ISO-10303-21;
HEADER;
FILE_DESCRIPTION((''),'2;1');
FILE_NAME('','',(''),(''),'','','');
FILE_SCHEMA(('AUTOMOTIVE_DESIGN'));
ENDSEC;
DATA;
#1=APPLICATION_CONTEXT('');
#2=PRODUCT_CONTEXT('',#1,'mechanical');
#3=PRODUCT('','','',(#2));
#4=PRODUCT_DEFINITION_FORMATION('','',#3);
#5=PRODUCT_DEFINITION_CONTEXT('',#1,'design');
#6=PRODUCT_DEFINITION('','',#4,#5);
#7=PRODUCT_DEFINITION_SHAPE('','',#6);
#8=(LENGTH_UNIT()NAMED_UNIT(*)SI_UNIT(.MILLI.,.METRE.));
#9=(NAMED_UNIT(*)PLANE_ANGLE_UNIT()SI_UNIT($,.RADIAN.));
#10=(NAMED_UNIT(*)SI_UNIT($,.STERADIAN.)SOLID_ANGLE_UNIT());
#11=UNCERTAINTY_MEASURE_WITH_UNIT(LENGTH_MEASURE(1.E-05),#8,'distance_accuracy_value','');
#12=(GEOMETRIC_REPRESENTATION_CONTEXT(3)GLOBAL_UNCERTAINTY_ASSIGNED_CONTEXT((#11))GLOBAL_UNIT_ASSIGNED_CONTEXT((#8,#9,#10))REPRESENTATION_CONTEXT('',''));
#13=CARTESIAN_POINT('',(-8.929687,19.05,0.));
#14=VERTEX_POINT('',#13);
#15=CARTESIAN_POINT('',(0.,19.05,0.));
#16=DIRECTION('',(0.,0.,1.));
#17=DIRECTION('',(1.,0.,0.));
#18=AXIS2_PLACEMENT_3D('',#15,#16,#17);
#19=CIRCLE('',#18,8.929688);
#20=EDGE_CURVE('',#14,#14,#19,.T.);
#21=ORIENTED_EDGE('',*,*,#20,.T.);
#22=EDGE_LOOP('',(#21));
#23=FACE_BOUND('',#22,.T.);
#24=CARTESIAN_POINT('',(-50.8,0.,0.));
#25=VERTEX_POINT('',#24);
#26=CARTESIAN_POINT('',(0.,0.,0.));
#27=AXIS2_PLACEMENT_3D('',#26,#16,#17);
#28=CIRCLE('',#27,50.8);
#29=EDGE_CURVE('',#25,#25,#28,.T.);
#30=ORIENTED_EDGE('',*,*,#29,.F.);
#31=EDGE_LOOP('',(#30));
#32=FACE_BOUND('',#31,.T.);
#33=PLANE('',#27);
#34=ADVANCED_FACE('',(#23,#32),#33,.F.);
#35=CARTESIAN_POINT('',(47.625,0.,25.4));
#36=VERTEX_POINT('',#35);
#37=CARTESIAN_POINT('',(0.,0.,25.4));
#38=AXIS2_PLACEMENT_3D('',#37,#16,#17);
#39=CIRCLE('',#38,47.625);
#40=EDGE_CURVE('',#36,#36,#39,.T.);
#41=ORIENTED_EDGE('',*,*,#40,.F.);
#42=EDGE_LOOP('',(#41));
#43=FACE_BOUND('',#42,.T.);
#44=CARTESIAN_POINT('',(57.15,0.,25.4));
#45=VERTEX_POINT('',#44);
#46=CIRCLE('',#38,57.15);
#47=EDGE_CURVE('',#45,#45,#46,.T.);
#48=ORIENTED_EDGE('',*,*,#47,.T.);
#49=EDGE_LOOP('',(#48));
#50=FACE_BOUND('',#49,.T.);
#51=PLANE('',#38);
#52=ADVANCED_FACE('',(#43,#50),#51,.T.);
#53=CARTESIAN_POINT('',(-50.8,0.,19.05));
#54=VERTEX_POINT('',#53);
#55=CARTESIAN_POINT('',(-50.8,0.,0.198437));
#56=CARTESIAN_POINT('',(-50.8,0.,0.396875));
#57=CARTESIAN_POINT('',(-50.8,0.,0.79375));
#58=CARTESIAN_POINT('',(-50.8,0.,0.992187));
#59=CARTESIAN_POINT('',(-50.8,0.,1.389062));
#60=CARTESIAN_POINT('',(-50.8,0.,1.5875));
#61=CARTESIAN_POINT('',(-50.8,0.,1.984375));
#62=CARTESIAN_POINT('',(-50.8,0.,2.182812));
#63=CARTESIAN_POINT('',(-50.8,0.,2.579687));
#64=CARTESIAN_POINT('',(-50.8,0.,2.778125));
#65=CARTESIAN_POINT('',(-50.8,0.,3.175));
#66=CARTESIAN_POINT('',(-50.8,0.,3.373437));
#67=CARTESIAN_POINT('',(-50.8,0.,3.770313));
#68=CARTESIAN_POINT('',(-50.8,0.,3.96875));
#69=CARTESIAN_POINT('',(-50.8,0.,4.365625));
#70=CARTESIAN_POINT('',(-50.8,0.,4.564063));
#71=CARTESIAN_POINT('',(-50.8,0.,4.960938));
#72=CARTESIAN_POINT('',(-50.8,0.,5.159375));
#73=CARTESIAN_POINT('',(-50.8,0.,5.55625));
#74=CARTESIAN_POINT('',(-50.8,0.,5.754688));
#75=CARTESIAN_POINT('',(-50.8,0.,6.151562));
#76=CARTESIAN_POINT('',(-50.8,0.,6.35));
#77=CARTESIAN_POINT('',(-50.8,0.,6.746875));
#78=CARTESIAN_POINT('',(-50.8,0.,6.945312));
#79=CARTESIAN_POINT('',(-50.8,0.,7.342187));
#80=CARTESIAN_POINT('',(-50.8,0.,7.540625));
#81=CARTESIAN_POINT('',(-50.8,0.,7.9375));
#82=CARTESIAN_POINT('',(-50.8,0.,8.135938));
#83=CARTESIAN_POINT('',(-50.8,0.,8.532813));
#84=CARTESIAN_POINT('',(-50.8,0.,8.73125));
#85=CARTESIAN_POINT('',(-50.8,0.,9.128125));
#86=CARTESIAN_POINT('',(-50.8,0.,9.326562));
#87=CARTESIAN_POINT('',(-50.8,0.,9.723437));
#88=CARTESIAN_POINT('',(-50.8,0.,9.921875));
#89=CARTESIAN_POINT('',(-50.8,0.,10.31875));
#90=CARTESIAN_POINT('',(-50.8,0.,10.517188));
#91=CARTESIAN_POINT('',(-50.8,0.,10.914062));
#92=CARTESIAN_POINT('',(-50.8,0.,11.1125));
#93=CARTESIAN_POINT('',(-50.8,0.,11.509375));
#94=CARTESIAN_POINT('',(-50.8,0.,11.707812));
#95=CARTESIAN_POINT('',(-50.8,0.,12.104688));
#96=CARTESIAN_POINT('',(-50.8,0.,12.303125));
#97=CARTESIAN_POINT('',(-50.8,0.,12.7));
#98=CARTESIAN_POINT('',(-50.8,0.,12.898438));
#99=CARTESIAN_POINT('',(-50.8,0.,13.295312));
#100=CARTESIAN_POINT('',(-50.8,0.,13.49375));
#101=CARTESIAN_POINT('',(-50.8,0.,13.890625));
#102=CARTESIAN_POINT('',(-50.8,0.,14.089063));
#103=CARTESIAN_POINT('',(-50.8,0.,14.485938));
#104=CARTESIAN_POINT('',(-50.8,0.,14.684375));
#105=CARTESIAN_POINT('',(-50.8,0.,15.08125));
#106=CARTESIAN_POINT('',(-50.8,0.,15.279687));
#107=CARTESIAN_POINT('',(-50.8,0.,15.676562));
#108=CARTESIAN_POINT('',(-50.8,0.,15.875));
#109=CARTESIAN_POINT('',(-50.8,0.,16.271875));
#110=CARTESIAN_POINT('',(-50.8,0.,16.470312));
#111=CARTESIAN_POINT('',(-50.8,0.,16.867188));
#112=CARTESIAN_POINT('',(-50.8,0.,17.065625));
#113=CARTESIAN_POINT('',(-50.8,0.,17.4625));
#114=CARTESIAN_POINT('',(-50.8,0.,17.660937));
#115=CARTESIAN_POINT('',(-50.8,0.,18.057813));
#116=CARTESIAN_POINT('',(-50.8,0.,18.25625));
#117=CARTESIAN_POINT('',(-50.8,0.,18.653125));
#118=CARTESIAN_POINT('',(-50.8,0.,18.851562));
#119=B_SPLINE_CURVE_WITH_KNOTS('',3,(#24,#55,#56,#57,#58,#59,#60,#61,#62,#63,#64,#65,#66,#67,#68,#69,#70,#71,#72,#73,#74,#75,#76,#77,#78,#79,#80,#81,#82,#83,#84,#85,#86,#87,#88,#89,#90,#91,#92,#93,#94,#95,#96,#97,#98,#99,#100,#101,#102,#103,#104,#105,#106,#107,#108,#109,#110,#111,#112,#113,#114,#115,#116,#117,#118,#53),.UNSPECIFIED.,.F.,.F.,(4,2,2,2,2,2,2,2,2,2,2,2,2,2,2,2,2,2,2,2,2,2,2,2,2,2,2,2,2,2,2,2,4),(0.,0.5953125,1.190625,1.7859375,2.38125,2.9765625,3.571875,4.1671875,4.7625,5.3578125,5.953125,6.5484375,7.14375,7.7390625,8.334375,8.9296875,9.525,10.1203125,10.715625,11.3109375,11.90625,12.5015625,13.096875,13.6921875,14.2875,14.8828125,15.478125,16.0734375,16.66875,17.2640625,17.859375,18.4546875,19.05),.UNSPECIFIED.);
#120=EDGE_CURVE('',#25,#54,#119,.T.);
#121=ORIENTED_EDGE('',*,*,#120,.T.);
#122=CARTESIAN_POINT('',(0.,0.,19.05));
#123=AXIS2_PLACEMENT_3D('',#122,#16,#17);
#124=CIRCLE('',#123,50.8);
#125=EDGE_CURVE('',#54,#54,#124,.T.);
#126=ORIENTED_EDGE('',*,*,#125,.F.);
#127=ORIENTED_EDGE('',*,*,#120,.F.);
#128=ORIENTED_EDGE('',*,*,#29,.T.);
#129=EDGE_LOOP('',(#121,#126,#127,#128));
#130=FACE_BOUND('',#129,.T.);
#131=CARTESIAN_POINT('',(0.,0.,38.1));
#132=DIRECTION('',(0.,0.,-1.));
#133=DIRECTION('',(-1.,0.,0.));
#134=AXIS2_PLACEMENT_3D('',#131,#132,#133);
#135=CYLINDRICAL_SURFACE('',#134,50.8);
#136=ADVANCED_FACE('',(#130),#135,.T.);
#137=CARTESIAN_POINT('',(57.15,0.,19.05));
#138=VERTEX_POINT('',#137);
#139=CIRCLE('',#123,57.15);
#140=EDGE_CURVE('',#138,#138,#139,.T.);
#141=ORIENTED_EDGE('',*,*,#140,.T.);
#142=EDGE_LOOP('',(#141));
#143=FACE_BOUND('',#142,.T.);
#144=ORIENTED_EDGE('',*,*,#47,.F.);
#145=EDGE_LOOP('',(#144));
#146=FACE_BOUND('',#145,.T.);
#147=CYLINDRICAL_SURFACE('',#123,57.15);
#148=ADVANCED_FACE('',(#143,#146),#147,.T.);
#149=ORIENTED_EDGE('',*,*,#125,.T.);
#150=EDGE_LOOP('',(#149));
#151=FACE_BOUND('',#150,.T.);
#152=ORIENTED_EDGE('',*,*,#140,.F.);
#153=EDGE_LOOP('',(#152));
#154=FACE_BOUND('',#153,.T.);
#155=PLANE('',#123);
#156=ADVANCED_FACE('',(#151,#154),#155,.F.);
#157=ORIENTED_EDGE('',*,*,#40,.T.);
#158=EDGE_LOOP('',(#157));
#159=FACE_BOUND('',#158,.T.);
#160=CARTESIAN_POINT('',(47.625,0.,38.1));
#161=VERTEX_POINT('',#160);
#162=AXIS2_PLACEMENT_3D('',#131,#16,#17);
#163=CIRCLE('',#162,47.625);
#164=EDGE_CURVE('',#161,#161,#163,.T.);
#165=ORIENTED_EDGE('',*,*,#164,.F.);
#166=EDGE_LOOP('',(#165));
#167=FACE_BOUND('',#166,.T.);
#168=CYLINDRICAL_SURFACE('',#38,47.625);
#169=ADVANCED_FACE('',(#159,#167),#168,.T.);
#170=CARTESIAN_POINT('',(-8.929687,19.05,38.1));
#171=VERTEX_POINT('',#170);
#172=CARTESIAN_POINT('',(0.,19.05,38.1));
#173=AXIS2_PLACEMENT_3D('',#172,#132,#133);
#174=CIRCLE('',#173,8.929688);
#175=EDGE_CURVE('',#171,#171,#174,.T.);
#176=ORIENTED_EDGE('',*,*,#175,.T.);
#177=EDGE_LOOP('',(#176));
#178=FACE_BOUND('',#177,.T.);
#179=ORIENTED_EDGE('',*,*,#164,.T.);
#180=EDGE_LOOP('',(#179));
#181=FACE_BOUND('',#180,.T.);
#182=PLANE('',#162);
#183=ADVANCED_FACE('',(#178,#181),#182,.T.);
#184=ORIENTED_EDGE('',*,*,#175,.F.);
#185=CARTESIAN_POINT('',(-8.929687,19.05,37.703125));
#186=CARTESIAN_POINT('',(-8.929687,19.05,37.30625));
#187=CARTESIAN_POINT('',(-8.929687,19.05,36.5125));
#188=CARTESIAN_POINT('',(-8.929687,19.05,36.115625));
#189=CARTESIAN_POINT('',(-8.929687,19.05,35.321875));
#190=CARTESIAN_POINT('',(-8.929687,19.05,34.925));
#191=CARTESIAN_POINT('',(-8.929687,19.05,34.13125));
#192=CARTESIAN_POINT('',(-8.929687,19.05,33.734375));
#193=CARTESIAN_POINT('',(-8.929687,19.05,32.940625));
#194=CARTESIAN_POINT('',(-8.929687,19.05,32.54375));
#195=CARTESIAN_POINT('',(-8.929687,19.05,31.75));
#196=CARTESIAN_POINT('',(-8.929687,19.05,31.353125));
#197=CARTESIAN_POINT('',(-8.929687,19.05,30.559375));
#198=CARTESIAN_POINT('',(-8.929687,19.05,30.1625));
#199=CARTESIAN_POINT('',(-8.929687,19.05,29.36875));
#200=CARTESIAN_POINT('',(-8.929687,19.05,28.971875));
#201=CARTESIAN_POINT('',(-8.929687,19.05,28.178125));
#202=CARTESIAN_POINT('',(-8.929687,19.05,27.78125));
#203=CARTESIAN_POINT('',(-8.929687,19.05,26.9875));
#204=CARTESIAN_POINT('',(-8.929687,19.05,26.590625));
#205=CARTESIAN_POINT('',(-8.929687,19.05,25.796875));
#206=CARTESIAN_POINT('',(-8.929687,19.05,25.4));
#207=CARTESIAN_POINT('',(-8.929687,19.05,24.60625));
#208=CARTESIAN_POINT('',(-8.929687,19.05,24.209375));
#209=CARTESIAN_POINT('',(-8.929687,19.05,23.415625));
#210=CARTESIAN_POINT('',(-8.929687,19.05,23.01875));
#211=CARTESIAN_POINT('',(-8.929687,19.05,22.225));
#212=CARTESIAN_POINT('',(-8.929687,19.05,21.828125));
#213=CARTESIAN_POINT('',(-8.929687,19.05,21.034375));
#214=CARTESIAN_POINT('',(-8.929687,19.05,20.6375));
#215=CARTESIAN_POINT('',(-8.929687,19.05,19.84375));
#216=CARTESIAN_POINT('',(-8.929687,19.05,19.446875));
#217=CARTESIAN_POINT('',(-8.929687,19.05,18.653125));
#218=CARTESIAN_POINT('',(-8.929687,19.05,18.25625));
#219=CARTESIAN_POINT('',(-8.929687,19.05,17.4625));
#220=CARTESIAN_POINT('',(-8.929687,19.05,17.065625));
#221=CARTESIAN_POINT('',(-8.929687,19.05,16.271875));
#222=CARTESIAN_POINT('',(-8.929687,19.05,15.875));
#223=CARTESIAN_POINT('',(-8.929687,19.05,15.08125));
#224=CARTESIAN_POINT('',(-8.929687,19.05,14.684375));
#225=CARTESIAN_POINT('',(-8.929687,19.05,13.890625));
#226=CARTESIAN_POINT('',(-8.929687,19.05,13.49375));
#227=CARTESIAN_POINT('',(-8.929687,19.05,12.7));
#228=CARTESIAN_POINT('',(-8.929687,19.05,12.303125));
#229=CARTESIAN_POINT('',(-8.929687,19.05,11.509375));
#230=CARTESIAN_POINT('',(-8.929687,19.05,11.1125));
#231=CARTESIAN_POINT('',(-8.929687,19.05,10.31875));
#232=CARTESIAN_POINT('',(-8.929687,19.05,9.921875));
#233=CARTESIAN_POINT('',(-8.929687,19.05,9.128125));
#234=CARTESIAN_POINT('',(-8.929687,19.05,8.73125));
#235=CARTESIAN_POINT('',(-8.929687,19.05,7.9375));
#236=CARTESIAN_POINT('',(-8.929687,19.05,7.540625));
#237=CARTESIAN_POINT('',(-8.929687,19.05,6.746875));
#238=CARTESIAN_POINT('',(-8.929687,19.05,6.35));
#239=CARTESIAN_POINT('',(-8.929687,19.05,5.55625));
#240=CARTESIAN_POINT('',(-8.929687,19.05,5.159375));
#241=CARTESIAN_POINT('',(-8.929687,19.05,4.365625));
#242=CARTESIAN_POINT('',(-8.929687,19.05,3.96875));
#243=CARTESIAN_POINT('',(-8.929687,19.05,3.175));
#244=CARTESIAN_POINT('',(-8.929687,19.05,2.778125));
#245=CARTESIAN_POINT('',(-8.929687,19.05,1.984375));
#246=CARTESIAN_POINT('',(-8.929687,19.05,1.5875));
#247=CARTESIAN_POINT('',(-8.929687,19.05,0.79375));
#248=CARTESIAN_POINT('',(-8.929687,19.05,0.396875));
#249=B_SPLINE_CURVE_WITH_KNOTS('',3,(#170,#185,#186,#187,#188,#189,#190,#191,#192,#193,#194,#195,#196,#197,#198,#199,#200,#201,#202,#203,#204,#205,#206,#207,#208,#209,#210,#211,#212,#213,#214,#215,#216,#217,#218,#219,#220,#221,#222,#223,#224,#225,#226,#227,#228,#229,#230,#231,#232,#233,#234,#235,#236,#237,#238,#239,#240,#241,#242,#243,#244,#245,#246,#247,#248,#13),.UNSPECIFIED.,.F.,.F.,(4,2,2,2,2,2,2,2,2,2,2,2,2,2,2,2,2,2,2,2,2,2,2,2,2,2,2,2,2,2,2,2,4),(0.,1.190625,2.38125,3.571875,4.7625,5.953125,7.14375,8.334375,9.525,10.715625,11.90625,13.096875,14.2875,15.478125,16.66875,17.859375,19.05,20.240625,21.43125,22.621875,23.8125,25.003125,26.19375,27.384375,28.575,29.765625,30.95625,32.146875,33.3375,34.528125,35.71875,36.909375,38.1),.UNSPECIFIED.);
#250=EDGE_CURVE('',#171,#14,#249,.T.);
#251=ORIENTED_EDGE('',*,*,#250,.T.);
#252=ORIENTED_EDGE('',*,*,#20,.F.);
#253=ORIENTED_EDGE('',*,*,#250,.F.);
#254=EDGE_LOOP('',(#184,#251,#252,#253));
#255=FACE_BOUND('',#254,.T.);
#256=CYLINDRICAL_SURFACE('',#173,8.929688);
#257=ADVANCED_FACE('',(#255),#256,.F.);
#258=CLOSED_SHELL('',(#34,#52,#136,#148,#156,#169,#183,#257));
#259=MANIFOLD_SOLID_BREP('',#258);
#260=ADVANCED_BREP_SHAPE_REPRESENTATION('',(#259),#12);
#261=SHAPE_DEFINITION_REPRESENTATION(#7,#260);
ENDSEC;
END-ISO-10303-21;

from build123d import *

# Parameters (mm, degrees)
SKETCH1_R               = 50.8
BOSS_EXTRUDE1_DEPTH     = 38.1
CUT_EXTRUDE_THIN2_START = -12.7
SKETCH22_R              = 50.8
SKETCH22_R_2            = 47.625
CUT_EXTRUDE_THIN2_DEPTH = 12.7
SKETCH24_R              = 57.15
BOSS_EXTRUDE3_DEPTH     = 6.35
CUT_EXTRUDE5_DEPTH      = 90.352420225
CUT_EXTRUDE5_DEPTH_BACK = 90.352420225
SKETCH20_R              = 8.9296875


with BuildPart() as part:
    # Sketch1 → Boss-Extrude1 (new body)
    with BuildSketch(Plane.XY):
        with Locations(Location((0, 0, 0), (0, 0, 180))):
            Circle(SKETCH1_R)
    extrude(amount=BOSS_EXTRUDE1_DEPTH)

    # Sketch22 → Cut-Extrude-Thin2 (cut)
    with BuildSketch(Plane.XY.offset(38.1).offset(CUT_EXTRUDE_THIN2_START)):
        Circle(SKETCH22_R)
        Circle(SKETCH22_R_2, mode=Mode.SUBTRACT)
    extrude(amount=CUT_EXTRUDE_THIN2_DEPTH, mode=Mode.SUBTRACT)

    # Sketch24 → Boss-Extrude3 (add)
    with BuildSketch(Plane.XY.offset(25.4)):
        Circle(SKETCH24_R)
    extrude(amount=-BOSS_EXTRUDE3_DEPTH)

    # Sketch20 → Cut-Extrude5 (cut, two sides: drawn at the far end of the back side and taken through both)
    with BuildSketch(Plane(origin=(0, 0, 0), x_dir=(-1, 0, 0), z_dir=(0, 0, -1)).offset(-CUT_EXTRUDE5_DEPTH_BACK)):
        with Locations((0, 19.05)):
            Circle(SKETCH20_R)
    extrude(amount=CUT_EXTRUDE5_DEPTH + CUT_EXTRUDE5_DEPTH_BACK, mode=Mode.SUBTRACT)


solid = part.part
